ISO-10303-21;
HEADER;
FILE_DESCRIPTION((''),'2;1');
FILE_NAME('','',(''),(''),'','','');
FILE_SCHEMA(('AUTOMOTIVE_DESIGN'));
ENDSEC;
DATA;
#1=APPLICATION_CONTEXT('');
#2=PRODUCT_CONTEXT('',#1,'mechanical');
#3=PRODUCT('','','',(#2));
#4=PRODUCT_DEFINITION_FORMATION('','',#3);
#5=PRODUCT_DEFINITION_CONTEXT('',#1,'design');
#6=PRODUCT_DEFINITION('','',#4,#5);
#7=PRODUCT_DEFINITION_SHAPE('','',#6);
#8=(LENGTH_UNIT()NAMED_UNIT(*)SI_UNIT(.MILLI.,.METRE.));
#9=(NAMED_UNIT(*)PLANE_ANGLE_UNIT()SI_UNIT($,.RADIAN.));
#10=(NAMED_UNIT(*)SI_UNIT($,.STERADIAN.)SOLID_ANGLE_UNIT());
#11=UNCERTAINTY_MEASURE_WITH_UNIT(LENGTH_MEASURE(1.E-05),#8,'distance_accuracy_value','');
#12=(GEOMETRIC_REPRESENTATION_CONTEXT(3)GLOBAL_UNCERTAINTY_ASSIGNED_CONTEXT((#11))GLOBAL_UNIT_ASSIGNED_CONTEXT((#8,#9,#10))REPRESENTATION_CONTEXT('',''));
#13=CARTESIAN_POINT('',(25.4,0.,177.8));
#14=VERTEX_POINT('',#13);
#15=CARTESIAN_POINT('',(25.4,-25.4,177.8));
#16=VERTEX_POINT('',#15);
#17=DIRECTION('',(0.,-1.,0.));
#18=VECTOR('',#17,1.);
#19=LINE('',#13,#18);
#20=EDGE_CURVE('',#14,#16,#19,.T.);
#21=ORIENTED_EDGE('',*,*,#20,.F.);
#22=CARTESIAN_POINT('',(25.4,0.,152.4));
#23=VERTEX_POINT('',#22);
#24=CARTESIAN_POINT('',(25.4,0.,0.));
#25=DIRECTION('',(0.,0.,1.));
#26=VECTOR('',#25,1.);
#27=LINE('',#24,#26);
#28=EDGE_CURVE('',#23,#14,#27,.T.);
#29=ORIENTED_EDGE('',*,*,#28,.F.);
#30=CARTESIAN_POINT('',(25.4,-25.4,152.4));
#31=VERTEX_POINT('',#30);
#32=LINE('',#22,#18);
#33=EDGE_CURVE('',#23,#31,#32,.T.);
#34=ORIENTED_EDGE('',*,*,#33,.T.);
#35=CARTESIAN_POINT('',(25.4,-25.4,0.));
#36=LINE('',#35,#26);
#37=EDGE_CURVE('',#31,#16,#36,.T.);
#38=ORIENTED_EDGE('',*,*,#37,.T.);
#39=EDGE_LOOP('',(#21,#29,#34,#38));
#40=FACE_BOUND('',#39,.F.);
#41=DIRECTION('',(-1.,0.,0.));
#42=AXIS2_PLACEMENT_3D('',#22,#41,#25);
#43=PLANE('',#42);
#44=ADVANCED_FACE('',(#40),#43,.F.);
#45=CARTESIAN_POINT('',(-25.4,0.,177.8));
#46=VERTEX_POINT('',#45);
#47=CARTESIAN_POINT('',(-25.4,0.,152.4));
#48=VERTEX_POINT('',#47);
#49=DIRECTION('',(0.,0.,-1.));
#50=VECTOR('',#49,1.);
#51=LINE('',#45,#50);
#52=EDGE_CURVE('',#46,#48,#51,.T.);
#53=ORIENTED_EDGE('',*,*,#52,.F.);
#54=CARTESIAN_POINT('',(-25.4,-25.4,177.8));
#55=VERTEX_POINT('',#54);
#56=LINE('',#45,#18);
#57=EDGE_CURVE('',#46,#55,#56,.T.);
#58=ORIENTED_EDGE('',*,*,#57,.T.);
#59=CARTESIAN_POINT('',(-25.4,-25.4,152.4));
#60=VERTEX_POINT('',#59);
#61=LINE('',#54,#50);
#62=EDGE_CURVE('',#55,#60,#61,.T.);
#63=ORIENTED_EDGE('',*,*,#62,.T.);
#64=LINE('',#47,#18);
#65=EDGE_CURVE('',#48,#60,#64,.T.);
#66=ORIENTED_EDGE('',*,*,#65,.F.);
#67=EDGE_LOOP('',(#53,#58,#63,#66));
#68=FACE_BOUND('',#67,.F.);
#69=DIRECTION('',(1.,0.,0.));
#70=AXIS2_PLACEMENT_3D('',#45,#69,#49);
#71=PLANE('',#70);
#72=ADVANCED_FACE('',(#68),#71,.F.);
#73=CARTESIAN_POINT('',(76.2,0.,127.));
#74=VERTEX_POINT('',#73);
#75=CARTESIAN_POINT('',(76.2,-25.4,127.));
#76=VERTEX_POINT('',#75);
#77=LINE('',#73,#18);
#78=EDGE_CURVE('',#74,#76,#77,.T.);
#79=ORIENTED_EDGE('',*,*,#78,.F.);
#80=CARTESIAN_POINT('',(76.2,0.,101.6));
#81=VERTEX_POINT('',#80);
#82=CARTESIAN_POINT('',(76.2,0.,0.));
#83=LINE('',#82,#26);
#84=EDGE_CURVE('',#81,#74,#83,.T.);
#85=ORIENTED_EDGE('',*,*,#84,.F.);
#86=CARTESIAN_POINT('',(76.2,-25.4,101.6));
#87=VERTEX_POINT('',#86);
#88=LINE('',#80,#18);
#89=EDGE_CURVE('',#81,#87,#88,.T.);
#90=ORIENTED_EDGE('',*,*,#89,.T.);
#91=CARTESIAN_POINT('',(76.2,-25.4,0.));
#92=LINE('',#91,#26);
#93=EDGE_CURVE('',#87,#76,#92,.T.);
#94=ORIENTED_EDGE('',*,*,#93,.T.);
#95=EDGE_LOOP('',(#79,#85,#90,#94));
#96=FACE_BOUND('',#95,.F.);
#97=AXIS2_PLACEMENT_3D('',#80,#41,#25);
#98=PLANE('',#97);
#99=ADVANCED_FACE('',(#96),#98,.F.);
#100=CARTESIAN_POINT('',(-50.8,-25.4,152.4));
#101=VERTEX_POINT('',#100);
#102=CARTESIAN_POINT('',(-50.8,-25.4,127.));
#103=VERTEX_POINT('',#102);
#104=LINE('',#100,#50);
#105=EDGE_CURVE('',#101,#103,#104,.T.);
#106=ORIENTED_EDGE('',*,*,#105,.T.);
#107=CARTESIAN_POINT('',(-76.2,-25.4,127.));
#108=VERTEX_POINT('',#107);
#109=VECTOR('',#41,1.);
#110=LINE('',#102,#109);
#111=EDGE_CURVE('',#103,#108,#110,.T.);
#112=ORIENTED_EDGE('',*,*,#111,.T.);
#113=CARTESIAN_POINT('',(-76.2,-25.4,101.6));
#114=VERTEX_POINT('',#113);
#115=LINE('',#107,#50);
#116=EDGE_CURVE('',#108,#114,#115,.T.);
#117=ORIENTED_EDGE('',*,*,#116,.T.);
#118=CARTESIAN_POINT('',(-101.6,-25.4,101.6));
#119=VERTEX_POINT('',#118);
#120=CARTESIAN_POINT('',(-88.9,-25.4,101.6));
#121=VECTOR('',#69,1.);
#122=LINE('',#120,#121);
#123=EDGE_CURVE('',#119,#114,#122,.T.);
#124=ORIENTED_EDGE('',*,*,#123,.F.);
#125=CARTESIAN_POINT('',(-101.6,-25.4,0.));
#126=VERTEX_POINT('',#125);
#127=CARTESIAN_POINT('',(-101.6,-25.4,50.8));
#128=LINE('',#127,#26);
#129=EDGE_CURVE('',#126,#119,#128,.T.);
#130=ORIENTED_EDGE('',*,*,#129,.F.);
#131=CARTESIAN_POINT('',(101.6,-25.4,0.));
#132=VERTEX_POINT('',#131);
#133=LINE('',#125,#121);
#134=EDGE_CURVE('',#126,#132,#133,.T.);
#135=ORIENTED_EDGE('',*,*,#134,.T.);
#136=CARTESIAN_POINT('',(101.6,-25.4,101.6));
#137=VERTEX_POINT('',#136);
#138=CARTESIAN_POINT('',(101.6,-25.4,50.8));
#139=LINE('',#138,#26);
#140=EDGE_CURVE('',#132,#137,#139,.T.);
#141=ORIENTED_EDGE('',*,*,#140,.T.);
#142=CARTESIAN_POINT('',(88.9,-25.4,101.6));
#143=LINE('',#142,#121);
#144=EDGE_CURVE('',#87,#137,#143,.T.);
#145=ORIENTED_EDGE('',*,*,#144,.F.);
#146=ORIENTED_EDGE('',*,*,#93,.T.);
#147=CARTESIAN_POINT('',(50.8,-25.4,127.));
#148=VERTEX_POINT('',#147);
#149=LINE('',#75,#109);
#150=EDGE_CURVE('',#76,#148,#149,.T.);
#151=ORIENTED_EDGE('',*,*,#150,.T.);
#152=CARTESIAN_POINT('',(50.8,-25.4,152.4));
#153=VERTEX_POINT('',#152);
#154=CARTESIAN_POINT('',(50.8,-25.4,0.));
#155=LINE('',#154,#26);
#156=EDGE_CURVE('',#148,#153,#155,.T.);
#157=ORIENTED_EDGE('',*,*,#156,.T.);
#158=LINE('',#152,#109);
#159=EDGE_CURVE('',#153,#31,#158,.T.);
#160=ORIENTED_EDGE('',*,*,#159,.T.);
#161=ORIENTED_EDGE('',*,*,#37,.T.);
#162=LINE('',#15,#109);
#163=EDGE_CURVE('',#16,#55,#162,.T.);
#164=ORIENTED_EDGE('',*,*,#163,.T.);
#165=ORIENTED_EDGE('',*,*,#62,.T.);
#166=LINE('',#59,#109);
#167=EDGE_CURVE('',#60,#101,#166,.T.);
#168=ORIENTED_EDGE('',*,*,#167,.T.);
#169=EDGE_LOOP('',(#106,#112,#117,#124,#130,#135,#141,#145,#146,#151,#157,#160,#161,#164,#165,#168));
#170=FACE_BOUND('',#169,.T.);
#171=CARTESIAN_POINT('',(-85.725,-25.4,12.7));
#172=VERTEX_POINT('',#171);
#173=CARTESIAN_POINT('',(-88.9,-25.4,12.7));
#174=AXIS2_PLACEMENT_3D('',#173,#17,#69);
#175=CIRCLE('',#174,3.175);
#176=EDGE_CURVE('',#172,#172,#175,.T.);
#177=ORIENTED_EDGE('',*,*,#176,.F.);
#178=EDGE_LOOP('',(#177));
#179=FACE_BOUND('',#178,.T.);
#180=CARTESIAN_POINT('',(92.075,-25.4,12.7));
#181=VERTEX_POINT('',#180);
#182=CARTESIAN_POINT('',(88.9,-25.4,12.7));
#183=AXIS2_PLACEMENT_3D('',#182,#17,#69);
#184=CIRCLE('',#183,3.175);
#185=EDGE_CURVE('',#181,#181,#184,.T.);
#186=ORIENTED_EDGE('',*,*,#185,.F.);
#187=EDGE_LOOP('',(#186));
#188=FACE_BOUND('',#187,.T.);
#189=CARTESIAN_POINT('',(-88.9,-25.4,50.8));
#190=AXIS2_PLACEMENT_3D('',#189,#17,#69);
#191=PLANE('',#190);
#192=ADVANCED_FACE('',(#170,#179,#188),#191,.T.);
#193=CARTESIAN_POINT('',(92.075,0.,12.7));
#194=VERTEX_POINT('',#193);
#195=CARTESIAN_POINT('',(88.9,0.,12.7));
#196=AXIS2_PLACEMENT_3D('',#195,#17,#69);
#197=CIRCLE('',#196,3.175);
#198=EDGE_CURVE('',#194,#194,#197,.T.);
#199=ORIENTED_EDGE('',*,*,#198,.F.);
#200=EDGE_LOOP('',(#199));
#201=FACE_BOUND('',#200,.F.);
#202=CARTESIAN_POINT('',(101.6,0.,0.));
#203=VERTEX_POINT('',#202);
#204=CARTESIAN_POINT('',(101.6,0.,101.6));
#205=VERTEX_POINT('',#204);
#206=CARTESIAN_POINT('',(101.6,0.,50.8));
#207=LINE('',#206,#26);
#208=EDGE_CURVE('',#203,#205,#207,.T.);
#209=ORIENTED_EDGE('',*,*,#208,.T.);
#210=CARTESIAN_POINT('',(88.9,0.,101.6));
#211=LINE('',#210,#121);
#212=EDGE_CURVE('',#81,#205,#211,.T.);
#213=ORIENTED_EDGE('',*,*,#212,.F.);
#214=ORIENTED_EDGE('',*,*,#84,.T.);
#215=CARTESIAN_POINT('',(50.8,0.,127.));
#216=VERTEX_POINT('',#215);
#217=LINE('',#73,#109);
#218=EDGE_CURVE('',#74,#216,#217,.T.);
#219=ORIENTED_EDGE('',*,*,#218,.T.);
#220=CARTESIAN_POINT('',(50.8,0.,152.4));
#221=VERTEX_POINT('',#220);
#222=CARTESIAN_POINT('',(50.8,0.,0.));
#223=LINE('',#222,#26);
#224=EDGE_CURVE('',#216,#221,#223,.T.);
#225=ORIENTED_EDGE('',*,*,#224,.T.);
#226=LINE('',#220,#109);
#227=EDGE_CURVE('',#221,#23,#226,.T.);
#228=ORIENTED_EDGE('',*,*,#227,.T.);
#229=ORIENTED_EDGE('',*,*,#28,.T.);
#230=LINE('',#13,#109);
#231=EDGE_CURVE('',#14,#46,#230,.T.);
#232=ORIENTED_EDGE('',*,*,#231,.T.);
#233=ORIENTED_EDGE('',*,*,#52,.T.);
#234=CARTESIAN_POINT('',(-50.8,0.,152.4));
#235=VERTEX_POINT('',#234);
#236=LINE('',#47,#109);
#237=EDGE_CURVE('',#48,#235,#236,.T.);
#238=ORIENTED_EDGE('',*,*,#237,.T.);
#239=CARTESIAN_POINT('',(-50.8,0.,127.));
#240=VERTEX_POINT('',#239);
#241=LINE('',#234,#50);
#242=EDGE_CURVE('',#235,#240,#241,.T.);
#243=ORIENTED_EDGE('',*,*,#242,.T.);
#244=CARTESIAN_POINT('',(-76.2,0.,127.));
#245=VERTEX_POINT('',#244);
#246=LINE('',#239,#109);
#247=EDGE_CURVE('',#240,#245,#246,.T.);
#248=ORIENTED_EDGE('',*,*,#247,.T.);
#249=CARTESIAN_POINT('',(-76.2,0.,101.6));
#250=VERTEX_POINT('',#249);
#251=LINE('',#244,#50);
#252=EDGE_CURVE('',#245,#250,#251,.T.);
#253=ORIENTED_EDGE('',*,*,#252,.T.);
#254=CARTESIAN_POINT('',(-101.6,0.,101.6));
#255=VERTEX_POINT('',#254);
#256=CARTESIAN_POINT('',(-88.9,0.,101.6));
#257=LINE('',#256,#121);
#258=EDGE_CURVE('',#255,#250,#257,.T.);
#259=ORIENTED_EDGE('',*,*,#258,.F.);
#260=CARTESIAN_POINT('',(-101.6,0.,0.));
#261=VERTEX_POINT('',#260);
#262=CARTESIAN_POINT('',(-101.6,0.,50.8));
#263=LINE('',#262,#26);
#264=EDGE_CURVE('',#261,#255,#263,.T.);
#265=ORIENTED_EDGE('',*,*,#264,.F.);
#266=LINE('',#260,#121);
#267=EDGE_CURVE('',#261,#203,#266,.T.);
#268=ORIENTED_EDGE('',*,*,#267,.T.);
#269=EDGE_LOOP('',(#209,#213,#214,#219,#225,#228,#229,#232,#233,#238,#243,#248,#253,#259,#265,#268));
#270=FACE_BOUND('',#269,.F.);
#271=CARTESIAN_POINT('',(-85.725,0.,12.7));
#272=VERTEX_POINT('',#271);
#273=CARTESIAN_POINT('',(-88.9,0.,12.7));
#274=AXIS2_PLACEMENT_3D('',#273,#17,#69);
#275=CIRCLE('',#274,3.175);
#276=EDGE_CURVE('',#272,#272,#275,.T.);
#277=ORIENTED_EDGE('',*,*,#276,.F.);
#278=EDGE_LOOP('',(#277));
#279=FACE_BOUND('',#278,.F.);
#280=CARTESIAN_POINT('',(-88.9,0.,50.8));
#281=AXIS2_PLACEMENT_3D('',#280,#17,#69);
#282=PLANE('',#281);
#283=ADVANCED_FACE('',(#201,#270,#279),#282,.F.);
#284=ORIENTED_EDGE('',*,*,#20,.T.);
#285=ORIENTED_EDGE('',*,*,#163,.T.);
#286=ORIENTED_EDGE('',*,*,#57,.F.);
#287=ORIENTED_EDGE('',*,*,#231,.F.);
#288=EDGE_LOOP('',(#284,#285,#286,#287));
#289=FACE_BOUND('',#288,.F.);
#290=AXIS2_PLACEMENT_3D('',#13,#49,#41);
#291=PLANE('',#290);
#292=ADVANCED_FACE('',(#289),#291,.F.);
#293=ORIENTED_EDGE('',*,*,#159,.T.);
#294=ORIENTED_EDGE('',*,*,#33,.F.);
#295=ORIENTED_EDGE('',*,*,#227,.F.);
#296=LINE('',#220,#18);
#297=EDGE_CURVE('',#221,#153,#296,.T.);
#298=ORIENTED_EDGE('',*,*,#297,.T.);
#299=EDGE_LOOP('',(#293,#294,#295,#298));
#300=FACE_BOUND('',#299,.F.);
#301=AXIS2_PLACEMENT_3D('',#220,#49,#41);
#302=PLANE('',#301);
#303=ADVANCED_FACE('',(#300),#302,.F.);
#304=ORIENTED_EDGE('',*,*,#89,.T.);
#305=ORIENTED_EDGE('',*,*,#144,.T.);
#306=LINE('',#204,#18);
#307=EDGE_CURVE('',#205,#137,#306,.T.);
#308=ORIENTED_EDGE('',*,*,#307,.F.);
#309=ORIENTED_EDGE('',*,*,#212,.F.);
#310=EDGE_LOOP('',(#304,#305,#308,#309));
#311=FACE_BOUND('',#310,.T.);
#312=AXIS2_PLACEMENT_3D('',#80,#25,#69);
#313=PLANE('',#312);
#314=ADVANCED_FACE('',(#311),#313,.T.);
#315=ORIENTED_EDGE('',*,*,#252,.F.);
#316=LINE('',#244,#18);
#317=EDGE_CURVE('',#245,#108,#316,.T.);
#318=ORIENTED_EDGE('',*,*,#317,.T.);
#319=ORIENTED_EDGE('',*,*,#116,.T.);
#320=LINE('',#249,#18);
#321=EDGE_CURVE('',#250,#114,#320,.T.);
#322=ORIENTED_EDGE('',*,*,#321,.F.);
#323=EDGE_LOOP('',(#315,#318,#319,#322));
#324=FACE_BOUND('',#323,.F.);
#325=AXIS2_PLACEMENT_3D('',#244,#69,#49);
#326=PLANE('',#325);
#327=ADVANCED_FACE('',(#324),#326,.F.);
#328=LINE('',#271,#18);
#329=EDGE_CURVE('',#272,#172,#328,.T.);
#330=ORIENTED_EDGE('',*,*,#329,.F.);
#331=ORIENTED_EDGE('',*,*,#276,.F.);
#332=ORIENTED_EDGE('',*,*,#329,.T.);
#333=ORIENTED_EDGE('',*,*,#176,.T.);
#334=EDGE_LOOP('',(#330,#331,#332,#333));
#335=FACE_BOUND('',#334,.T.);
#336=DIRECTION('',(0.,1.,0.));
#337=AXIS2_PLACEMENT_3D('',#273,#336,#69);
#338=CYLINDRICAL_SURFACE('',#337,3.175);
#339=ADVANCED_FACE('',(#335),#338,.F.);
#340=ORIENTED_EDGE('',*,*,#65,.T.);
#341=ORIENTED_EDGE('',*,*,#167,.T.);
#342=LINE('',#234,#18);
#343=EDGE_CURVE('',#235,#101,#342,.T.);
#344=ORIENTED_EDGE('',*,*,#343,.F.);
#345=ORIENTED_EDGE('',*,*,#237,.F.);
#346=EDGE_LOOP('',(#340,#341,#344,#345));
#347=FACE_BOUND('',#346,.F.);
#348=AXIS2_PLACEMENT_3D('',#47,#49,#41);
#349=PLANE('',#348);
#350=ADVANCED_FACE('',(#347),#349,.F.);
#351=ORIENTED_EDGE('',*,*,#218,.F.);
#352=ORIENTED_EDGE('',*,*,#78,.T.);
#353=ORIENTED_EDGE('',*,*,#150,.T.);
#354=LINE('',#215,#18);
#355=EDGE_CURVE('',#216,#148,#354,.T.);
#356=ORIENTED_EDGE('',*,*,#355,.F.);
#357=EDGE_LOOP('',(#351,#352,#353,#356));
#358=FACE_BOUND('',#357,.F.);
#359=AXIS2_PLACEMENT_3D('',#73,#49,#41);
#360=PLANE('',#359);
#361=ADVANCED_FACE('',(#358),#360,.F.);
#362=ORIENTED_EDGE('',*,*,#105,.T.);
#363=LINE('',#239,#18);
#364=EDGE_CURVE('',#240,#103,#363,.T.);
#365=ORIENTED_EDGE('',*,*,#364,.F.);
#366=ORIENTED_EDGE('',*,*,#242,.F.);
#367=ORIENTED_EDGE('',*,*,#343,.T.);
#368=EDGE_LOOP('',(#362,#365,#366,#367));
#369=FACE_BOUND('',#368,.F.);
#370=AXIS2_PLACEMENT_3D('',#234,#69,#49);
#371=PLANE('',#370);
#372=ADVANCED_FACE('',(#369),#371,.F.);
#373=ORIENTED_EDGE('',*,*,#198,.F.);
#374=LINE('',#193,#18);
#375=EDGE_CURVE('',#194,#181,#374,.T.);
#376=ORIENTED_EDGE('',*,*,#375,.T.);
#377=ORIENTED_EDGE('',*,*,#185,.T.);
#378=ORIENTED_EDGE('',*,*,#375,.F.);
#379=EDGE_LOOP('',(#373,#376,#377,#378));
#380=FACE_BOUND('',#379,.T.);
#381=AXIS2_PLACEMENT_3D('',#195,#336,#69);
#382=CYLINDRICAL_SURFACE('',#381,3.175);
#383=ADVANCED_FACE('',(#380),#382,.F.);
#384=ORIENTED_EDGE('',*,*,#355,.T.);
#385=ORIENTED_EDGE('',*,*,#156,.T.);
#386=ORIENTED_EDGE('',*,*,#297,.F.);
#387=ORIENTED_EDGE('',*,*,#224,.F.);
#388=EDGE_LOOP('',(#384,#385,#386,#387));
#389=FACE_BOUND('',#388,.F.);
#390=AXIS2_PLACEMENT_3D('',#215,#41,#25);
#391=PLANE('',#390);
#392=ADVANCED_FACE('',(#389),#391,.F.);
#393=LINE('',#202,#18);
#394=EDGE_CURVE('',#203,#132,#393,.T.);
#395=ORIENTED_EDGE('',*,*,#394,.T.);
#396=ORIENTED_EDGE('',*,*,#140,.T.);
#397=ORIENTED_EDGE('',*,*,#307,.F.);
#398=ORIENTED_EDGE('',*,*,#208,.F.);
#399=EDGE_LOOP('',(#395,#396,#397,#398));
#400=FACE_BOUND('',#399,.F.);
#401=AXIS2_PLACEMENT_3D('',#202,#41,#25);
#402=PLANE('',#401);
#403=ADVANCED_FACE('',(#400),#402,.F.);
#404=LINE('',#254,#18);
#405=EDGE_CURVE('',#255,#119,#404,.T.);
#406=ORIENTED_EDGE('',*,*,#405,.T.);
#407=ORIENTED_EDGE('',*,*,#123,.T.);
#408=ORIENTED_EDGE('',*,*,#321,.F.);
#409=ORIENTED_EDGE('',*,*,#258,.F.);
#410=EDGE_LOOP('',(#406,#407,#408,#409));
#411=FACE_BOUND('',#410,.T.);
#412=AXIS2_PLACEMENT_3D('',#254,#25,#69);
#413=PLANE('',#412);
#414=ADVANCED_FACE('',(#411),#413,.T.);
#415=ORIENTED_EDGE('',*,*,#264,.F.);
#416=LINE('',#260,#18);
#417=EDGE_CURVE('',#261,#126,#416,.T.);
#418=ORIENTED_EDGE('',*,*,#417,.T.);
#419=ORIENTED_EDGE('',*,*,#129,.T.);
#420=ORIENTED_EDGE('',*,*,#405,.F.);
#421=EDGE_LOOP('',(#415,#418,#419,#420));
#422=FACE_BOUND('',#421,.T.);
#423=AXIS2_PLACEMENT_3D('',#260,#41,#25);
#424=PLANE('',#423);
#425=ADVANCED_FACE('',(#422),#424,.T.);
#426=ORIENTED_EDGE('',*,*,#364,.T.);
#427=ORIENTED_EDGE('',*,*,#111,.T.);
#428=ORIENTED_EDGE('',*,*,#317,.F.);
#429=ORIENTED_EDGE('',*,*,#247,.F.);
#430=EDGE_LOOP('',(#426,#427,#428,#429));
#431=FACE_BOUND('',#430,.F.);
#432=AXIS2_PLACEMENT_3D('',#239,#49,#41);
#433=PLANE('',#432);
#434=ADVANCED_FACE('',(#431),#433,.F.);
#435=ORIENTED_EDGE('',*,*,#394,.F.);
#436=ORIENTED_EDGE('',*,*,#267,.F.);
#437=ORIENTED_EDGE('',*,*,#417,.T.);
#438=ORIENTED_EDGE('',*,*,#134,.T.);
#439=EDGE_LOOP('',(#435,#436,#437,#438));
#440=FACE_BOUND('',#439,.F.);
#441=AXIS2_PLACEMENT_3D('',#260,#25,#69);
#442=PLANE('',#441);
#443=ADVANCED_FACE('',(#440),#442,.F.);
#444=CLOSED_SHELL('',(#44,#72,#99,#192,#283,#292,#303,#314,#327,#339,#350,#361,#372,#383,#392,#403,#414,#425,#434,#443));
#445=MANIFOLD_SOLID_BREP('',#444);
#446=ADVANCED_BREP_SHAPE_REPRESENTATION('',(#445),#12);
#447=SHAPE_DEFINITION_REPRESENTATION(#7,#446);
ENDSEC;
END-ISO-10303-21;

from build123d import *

# Parameters (mm, degrees)
F0_W     = 25.4
F0_H     = 101.6
F0_R     = 3.175
F1_DEPTH = 25.4


with BuildPart() as f1:
    # F0 (on Front) → F1 (new body)
    with BuildSketch(Plane.XZ):
        with Locations((-88.9, 50.8)):
            Rectangle(F0_W, F0_H)
        with Locations((-88.9, 12.7)):
            Circle(F0_R, mode=Mode.SUBTRACT)
        Polygon((-76.2, 0), (-50.8, 0), (-50.8, 127), (-76.2, 127), (-76.2, 101.6), align=None)
        Polygon((-50.8, 0), (-25.4, 0), (-25.4, 152.4), (-50.8, 152.4), (-50.8, 127), align=None)
        Polygon((-25.4, 0), (0, 0), (0, 177.8), (-25.4, 177.8), (-25.4, 152.4), align=None)
        Polygon((0, 177.8), (0, 0), (25.4, 0), (25.4, 152.4), (25.4, 177.8), align=None)
        Polygon((25.4, 152.4), (25.4, 0), (50.8, 0), (50.8, 127), (50.8, 152.4), align=None)
        Polygon((50.8, 127), (50.8, 0), (76.2, 0), (76.2, 101.6), (76.2, 127), align=None)
        with Locations((88.9, 50.8)):
            Rectangle(F0_W, F0_H)
        with Locations((88.9, 12.7)):
            Circle(F0_R, mode=Mode.SUBTRACT)
    extrude(amount=F1_DEPTH)


solid = f1.part
